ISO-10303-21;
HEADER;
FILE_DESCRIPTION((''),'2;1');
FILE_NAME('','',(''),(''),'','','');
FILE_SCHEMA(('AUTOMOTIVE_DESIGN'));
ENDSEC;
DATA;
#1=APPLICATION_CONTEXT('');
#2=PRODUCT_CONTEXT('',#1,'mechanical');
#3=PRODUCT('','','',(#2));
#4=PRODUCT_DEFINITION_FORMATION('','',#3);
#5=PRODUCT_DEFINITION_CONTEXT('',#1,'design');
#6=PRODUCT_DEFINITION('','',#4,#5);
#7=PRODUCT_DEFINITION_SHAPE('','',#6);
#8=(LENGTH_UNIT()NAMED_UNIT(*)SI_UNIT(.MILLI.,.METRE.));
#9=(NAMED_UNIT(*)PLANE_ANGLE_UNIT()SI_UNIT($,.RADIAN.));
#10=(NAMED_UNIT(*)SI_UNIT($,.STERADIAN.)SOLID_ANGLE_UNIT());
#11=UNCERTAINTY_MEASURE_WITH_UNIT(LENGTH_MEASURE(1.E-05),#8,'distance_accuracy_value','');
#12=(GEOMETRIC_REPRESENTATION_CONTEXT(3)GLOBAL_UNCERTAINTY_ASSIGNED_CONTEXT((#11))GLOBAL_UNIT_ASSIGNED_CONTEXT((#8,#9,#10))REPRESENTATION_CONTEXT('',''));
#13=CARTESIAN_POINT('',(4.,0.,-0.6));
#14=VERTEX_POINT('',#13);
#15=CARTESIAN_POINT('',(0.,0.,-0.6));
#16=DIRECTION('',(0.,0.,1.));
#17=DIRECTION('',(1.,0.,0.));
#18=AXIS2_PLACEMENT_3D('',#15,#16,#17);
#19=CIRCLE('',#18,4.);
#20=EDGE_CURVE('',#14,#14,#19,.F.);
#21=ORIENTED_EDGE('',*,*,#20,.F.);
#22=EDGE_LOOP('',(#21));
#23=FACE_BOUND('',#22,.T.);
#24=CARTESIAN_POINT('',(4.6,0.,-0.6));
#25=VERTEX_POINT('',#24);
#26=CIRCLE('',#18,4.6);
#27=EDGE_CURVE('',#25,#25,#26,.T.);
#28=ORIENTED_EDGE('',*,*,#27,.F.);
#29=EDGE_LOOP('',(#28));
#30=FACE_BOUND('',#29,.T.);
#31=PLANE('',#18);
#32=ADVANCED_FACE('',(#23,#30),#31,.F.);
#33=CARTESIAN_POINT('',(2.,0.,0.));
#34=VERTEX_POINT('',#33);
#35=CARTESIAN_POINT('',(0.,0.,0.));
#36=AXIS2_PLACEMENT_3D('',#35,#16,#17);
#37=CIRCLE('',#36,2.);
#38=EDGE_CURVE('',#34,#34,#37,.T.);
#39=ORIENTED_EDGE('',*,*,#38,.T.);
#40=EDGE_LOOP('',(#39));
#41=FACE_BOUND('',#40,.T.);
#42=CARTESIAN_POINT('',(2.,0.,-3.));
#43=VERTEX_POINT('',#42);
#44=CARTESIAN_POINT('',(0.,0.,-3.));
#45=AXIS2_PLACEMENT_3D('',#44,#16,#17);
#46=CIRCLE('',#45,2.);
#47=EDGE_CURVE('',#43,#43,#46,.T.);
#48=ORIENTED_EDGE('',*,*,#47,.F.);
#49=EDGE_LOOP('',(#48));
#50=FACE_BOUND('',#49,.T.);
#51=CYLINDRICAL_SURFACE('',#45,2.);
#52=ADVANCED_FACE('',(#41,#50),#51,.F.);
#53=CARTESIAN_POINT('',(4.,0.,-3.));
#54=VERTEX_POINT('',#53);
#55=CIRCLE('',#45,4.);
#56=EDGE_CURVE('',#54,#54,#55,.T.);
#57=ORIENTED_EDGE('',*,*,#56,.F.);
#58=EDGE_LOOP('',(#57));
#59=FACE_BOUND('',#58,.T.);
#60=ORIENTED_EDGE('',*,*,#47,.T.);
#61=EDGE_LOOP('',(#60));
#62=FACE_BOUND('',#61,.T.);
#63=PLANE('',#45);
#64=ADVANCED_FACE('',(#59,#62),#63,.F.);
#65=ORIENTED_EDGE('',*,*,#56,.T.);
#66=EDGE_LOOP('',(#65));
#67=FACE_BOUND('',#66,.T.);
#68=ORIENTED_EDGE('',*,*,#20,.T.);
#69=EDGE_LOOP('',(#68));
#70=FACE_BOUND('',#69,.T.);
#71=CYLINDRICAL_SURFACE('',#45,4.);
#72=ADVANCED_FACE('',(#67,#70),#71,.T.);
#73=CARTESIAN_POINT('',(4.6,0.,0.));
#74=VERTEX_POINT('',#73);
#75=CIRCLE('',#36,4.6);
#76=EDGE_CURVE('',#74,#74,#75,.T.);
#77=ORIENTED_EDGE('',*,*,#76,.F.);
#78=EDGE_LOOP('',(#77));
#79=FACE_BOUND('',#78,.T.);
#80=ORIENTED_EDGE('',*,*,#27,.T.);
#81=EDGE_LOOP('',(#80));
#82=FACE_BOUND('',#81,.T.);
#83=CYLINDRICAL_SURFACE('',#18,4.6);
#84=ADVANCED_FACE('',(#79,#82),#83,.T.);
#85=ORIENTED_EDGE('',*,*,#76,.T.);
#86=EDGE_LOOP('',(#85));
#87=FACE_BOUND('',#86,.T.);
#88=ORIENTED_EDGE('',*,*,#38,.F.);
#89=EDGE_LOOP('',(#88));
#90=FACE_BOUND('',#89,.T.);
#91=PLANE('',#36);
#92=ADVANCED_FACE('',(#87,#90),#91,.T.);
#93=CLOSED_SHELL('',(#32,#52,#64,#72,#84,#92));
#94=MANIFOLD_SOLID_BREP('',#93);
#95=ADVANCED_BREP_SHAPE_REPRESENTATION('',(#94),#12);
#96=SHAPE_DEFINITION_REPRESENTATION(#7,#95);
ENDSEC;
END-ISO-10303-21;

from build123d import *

# Parameters (mm, degrees)
SKETCH1_R           = 4
SKETCH1_R_2         = 2
BOSS_EXTRUDE1_DEPTH = 3
SKETCH2_R           = 4
SKETCH2_R_2         = 2
SKETCH2_R_3         = 4.6
BOSS_EXTRUDE2_DEPTH = 0.6


with BuildPart() as part:
    # Sketch1 → Boss-Extrude1 (new body)
    with BuildSketch(Plane.XY):
        Circle(SKETCH1_R)
        Circle(SKETCH1_R_2, mode=Mode.SUBTRACT)
    extrude(amount=-BOSS_EXTRUDE1_DEPTH)

    # Sketch2 → Boss-Extrude2 (add)
    with BuildSketch(Plane.XY):
        Circle(SKETCH2_R)
        Circle(SKETCH2_R_2, mode=Mode.SUBTRACT)
        Circle(SKETCH2_R_3)
        Circle(SKETCH2_R, mode=Mode.SUBTRACT)
    extrude(amount=-BOSS_EXTRUDE2_DEPTH)


solid = part.part
